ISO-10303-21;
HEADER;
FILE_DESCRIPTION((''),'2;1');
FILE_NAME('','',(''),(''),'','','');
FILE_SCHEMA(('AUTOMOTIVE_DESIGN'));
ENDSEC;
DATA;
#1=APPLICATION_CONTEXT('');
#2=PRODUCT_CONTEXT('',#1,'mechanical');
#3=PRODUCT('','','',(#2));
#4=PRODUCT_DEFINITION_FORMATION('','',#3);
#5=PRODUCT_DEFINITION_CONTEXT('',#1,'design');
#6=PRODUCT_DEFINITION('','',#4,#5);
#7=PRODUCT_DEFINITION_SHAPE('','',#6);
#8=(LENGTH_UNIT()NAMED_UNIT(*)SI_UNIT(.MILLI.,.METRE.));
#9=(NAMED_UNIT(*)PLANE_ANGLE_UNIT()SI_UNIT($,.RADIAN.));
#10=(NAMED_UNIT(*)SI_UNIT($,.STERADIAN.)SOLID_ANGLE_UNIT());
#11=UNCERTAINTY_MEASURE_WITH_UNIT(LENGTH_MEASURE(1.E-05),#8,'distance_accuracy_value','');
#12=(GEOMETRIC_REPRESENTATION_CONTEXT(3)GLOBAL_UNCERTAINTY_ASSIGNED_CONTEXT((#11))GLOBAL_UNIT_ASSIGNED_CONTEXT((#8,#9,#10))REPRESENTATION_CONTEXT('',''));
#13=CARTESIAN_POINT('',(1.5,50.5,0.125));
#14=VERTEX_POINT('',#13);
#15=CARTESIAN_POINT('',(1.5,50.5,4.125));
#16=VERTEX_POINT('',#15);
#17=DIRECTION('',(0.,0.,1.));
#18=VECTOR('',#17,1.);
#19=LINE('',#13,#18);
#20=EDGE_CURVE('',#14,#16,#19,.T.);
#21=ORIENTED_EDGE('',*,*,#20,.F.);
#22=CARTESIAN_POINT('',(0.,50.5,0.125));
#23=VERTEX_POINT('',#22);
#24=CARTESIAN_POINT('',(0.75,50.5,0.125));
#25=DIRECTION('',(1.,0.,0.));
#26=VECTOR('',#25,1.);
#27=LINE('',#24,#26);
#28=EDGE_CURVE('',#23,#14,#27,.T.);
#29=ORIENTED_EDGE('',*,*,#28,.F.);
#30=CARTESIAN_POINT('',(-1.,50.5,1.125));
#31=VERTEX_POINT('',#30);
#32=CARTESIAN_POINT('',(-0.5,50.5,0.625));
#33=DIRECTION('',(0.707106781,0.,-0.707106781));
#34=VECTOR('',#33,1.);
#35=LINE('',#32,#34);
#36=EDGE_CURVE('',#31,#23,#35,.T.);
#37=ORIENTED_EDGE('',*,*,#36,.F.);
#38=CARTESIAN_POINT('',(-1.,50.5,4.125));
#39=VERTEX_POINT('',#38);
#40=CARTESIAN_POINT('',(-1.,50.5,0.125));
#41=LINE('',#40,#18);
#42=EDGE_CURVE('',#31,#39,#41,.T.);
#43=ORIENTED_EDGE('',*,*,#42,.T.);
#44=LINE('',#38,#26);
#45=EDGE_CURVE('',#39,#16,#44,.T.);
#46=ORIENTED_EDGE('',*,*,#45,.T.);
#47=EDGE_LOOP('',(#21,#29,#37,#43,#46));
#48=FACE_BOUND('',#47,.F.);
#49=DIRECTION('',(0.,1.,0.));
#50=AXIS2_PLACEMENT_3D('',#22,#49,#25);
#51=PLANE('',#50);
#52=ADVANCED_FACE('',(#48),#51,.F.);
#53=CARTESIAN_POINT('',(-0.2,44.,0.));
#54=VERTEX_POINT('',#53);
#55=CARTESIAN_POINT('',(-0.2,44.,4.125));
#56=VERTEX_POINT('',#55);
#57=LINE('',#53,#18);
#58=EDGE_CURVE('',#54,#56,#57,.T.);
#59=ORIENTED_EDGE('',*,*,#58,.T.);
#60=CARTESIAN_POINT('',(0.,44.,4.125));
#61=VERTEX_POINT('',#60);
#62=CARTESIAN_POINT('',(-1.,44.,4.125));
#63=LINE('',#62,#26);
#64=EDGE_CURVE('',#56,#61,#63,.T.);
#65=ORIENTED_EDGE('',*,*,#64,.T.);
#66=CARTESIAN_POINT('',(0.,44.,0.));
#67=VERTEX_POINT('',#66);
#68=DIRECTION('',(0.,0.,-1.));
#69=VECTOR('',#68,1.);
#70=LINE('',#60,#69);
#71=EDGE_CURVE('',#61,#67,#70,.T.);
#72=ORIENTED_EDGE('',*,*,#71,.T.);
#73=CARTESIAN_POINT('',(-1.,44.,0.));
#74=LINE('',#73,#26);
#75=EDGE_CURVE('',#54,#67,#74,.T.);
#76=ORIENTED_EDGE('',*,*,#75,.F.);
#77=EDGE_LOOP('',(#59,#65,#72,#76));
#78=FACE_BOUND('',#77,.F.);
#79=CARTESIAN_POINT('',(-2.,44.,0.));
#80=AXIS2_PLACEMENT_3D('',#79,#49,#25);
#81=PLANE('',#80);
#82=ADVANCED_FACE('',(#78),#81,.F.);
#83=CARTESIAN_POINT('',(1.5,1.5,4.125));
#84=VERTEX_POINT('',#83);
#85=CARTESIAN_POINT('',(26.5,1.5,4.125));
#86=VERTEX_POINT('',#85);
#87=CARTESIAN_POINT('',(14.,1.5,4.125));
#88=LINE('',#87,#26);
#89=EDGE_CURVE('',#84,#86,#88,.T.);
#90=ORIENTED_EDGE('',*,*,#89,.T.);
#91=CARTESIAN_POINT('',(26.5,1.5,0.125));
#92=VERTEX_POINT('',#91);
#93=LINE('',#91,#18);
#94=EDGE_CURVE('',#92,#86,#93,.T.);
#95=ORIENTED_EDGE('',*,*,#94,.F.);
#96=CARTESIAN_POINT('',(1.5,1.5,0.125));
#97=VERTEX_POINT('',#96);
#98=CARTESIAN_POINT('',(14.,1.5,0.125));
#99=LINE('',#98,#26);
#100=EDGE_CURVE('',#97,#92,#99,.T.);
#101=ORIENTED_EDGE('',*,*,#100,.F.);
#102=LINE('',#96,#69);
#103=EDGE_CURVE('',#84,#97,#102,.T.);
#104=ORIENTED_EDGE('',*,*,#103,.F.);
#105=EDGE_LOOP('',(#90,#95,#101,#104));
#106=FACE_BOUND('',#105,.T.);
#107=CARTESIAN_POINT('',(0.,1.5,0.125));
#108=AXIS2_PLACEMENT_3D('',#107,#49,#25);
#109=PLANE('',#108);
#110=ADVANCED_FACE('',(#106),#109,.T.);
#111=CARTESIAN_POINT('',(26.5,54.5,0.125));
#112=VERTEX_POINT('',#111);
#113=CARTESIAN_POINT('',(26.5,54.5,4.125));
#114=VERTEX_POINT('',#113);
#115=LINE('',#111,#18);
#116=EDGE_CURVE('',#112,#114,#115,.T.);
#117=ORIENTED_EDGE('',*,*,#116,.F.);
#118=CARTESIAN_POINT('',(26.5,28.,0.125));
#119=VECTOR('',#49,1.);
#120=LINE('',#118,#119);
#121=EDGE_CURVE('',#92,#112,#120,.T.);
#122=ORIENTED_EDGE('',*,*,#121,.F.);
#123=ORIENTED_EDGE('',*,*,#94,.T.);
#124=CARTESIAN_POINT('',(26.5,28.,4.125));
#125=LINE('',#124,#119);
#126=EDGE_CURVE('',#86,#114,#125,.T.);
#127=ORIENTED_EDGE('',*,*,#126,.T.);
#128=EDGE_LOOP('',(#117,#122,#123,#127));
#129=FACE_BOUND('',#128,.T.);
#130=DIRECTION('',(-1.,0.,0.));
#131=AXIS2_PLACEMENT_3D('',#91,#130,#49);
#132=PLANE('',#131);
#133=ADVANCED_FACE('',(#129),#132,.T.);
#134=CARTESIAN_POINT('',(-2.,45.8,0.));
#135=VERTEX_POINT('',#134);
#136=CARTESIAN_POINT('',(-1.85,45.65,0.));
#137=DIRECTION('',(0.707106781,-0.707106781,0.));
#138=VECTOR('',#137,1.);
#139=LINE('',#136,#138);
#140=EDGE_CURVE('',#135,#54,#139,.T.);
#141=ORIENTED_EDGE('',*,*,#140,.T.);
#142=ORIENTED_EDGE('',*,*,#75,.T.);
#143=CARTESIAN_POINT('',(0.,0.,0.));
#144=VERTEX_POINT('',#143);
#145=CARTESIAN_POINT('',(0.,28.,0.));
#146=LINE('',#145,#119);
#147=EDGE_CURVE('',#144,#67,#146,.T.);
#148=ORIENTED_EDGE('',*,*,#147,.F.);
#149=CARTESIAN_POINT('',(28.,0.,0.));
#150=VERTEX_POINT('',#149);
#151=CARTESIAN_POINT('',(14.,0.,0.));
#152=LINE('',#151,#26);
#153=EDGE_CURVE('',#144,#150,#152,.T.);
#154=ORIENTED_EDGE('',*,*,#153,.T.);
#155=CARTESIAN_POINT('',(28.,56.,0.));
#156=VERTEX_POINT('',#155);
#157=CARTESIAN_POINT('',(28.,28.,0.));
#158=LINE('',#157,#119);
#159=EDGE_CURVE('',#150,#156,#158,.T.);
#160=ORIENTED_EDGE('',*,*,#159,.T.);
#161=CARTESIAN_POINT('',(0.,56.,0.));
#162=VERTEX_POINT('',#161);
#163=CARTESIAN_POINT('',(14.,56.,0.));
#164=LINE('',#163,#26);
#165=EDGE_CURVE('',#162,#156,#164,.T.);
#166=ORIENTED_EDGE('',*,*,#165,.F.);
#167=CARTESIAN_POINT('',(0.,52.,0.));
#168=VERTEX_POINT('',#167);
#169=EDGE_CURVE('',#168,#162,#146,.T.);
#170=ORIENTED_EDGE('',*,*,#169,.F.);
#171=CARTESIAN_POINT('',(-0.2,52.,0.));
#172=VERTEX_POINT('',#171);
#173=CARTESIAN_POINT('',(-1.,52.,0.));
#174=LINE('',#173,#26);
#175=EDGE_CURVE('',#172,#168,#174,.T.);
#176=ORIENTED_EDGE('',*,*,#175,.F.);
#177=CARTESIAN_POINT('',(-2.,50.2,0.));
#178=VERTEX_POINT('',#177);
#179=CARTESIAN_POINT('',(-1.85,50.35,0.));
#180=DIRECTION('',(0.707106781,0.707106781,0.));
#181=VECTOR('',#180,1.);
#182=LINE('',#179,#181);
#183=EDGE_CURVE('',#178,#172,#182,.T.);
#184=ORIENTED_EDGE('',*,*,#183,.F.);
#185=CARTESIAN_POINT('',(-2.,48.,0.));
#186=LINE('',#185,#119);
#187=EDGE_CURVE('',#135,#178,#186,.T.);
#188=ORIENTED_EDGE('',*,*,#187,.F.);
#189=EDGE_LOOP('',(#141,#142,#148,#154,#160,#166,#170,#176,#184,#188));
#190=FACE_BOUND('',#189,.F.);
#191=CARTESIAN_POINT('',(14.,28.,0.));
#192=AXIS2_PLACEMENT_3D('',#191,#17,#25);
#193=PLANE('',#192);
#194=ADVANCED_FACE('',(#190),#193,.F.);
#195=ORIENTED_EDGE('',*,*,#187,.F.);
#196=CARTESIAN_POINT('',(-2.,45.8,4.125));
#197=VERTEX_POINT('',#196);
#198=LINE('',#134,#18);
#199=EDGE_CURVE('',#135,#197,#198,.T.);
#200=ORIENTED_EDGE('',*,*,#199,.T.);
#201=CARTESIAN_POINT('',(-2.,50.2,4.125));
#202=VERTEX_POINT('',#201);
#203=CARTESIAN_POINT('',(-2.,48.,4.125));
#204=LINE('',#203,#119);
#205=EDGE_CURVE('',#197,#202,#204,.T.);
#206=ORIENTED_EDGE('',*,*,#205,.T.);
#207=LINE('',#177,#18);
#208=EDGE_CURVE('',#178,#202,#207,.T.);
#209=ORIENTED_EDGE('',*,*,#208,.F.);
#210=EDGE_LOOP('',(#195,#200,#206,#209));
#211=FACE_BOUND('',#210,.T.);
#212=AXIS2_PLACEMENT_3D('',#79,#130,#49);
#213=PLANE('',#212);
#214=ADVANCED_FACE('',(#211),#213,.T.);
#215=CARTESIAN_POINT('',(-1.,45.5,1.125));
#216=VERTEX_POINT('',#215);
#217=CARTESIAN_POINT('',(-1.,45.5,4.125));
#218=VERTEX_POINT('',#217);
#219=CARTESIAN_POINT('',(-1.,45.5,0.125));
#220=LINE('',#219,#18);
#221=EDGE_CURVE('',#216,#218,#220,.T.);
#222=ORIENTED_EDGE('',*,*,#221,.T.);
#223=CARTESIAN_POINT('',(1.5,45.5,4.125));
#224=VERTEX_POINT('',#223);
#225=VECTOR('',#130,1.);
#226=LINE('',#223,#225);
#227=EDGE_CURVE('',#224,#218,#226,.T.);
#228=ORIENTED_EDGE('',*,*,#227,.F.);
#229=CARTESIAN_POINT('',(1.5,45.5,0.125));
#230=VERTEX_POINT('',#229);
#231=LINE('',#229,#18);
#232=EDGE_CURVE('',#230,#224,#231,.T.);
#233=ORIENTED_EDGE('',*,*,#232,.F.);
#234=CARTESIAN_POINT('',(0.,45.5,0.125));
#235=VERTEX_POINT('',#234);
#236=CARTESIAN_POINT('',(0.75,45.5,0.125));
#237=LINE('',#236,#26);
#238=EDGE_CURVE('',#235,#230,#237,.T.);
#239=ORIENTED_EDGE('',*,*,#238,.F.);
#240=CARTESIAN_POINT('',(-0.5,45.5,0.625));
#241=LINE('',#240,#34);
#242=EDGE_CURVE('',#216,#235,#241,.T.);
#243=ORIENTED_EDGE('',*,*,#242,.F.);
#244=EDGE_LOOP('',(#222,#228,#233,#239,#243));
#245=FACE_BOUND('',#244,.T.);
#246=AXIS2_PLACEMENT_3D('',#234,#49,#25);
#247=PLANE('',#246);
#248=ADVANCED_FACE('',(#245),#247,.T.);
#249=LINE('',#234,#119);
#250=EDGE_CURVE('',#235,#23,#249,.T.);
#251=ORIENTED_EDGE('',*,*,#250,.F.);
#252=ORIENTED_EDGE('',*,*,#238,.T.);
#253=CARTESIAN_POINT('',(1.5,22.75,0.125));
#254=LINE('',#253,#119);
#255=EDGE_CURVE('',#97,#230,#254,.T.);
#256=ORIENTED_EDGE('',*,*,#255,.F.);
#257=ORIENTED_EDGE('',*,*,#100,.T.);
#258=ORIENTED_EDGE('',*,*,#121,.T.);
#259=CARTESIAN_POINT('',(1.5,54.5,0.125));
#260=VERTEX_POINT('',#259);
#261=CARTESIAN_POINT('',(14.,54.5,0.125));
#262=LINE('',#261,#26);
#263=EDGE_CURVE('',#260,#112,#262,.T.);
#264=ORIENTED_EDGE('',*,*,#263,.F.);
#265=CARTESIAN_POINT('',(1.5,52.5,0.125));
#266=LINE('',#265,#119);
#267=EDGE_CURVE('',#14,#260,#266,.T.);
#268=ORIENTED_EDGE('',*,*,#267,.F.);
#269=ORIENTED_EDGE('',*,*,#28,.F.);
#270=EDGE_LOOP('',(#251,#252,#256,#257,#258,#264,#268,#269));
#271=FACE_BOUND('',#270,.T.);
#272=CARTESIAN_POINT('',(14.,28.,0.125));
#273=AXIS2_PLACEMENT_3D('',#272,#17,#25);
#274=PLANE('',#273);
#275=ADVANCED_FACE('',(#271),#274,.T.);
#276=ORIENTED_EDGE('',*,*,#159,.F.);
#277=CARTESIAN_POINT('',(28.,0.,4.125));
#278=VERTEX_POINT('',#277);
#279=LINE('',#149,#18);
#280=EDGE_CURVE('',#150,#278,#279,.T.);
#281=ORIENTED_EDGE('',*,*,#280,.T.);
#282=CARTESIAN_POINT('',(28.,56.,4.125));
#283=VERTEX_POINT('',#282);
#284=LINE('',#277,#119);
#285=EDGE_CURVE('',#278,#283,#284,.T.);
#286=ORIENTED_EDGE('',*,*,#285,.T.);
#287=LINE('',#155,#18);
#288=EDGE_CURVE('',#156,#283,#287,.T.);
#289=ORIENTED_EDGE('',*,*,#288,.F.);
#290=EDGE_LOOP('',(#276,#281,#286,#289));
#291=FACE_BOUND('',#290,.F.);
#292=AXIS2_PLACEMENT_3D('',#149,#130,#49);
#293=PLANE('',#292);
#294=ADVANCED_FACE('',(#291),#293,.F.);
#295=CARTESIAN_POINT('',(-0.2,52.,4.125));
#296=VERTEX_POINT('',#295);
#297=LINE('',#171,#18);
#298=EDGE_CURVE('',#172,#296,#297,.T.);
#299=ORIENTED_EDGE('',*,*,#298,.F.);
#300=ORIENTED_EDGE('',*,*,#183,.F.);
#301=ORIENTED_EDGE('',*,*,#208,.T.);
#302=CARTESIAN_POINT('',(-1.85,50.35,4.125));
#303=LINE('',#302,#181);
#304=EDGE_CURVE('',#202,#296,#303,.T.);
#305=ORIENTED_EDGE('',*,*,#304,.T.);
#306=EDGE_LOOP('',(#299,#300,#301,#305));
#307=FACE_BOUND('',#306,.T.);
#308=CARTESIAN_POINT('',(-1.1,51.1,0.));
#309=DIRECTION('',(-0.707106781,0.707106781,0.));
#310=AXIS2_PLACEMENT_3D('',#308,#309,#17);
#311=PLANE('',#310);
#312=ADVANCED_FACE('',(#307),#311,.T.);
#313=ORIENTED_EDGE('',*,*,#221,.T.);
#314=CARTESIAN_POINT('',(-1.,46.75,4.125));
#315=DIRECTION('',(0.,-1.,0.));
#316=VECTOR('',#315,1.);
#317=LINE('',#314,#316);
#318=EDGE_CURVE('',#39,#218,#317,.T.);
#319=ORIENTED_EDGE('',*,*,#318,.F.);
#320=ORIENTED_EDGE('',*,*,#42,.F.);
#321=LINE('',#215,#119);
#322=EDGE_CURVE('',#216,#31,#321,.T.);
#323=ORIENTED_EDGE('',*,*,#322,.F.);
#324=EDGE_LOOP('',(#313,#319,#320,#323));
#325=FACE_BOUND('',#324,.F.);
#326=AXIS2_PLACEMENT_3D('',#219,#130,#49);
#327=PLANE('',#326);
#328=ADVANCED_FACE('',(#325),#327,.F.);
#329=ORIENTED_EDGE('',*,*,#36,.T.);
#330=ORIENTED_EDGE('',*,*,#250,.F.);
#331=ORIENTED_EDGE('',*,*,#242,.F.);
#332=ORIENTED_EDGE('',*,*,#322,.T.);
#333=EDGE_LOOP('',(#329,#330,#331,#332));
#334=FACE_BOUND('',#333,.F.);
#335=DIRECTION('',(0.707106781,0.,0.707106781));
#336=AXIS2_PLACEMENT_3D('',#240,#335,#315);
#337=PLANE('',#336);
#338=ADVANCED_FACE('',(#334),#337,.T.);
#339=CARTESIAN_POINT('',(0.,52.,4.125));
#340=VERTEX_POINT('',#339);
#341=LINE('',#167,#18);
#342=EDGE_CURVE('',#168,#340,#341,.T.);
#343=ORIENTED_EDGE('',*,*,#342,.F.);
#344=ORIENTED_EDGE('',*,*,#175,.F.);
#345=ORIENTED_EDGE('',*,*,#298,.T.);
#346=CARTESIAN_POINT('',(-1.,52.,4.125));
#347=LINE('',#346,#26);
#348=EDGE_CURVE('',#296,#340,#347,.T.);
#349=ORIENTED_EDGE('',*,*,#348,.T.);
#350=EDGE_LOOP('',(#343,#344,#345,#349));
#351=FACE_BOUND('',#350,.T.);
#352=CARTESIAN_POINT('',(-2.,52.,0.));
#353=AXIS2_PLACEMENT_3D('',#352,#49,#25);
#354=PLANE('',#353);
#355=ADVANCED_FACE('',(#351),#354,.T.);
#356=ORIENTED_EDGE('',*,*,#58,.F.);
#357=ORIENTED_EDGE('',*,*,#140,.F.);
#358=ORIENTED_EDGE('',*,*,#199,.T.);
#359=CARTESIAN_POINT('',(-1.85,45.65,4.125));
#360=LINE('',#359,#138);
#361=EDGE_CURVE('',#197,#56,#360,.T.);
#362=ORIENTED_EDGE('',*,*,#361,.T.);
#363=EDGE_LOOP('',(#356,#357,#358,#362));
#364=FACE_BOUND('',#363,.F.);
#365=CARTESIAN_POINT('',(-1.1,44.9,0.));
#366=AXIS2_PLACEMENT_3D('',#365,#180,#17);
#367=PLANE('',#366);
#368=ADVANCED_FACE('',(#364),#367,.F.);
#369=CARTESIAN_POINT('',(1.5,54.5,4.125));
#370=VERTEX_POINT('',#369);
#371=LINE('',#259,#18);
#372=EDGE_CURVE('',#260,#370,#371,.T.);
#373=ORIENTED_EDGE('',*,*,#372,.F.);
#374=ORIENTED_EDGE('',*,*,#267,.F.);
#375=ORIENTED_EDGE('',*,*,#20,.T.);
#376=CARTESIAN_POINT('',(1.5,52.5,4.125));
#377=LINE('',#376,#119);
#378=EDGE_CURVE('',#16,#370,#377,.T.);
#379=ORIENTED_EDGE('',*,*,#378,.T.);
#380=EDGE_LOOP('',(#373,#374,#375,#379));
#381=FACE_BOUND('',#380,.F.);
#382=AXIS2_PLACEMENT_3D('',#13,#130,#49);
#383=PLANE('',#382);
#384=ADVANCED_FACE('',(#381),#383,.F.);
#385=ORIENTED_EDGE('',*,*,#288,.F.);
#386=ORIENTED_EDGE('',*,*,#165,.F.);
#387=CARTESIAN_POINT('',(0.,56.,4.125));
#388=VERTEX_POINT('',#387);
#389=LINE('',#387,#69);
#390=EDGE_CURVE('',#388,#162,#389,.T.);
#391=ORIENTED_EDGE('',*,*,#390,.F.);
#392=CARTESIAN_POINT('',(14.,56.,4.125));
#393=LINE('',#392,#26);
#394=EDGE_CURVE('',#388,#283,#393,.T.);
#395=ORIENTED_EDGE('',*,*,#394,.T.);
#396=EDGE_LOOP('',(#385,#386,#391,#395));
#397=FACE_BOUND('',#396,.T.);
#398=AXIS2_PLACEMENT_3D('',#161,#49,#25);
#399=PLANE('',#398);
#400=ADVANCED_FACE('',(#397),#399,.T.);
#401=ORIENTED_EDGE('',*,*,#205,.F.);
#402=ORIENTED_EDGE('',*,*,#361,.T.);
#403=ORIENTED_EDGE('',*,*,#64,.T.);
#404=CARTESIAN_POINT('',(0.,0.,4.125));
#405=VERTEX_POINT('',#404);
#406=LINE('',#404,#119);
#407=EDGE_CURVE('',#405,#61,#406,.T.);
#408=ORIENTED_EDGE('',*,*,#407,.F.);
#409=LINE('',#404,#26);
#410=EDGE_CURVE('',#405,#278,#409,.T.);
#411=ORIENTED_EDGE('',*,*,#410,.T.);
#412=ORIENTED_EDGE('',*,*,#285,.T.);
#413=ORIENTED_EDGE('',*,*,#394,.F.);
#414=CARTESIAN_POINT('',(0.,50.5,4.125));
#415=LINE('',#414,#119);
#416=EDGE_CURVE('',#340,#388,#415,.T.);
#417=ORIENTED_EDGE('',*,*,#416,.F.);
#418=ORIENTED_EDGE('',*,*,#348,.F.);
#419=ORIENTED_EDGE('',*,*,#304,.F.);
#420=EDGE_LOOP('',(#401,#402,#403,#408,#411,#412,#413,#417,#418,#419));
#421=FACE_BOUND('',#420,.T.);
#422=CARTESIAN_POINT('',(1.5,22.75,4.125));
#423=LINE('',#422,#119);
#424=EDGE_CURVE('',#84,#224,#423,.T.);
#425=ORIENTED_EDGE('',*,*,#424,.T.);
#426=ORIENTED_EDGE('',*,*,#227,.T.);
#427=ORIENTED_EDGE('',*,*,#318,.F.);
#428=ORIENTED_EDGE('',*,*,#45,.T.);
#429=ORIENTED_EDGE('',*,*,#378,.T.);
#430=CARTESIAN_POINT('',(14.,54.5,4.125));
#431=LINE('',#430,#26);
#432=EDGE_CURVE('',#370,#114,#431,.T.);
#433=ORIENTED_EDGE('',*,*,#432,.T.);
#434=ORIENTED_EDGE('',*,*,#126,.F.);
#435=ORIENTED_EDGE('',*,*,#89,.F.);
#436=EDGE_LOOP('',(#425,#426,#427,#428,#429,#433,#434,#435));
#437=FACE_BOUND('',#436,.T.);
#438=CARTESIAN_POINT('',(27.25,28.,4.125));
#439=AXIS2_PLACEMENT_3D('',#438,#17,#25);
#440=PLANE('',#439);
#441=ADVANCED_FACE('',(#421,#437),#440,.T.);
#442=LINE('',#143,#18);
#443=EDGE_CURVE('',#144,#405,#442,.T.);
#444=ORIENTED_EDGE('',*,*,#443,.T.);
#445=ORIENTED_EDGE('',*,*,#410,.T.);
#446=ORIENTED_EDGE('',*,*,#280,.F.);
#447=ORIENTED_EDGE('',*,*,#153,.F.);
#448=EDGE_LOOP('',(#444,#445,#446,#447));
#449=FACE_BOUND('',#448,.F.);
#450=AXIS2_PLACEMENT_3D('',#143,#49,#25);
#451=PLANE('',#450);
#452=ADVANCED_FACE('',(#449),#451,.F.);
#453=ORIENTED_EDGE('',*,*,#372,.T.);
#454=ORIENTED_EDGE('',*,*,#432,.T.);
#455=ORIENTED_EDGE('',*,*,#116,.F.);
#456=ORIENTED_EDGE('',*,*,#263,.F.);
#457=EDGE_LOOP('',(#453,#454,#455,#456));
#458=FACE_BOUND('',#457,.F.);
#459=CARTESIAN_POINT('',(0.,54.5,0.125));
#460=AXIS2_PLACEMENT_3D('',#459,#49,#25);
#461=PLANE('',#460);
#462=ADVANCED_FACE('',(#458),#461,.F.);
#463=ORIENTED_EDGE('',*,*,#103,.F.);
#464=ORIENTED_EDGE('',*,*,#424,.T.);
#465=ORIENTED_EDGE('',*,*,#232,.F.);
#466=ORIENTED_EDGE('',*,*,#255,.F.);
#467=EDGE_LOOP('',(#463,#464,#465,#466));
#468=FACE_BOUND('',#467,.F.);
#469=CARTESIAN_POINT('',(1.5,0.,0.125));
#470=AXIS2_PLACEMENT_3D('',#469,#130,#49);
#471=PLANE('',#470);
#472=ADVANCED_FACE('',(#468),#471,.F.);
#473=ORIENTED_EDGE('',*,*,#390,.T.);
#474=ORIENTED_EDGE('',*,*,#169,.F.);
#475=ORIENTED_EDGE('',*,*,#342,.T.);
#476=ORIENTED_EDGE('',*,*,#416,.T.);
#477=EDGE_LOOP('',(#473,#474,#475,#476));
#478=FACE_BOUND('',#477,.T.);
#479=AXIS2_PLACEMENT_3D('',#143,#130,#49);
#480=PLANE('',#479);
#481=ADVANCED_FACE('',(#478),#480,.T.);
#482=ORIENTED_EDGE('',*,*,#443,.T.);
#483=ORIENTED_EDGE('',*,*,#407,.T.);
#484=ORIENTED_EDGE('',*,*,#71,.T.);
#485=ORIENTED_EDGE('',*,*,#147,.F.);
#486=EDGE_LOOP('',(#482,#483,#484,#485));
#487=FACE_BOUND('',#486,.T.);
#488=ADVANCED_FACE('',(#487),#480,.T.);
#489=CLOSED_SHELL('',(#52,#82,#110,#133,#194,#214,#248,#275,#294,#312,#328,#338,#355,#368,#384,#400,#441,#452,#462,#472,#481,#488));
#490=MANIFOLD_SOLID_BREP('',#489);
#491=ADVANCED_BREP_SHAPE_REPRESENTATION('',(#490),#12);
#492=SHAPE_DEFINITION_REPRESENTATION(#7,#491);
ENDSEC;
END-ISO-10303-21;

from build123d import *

# Parameters (mm, degrees)
BOX_W           = 28
BOX_H           = 56
BOX_DEPTH       = 0.125
SKETCH004_W     = 1.5
SKETCH004_H     = 45.5
SKETCH004_H_2   = 4
PAD004_DEPTH    = 4
SKETCH005_W     = 28
SKETCH005_H     = 1.5
PAD005_DEPTH    = 4
SKETCH006_W     = 1.5
SKETCH006_H     = 53
PAD006_DEPTH    = 4
SKETCH003_W     = 28
SKETCH003_H     = 1.5
PAD003_DEPTH    = 4
BOX004_W        = 5
BOX004_H        = 5
BOX004_DEPTH    = 5
CHAMFER_SIZE    = 1
BOX002_W        = 2
BOX002_H        = 8
BOX002_DEPTH    = 4.125
CHAMFER001_SIZE = 1.8


with BuildPart() as base:
    # Box → Box (new body)
    with BuildSketch(Plane.XY):
        with Locations((14, 28)):
            Rectangle(BOX_W, BOX_H)
    extrude(amount=BOX_DEPTH)


with BuildPart() as pad004:
    # Sketch004 → Pad004 (new body)
    with BuildSketch(Plane.XY.offset(0.125)):
        with Locations((0.75, 22.75)):
            Rectangle(SKETCH004_W, SKETCH004_H)
        with Locations((0.75, 52.5)):
            Rectangle(SKETCH004_W, SKETCH004_H_2)
    extrude(amount=PAD004_DEPTH)


with BuildPart() as pad005:
    # Sketch005 → Pad005 (new body)
    with BuildSketch(Plane.XY.offset(0.125)):
        with Locations((14, 0.75)):
            Rectangle(SKETCH005_W, SKETCH005_H)
    extrude(amount=PAD005_DEPTH)


with BuildPart() as pad006:
    # Sketch006 → Pad006 (new body)
    with BuildSketch(Plane.XY.offset(0.125)):
        with Locations((27.25, 28)):
            Rectangle(SKETCH006_W, SKETCH006_H)
    extrude(amount=PAD006_DEPTH)


with BuildPart() as walls:
    # Sketch003 → Pad003 (new body)
    with BuildSketch(Plane.XY.offset(0.125)):
        with Locations((14, 55.25)):
            Rectangle(SKETCH003_W, SKETCH003_H)
    extrude(amount=PAD003_DEPTH)

    # Fusion001: union Pad004, Pad005, Pad006
    add(pad004.part)
    add(pad005.part)
    add(pad006.part)


with BuildPart() as chamfer_body:
    # Box004 → Box004 (new body)
    with BuildSketch(Plane(origin=(-1, 45.5, 0.125), x_dir=(1, 0, 0), z_dir=(0, 0, 1))):
        with Locations((2.5, 2.5)):
            Rectangle(BOX004_W, BOX004_H)
    extrude(amount=BOX004_DEPTH)

    # Chamfer
    chamfer_edges = [chamfer_body.edges().sort_by_distance(p)[0] for p in [
        (-1, 48, 0.125),
    ]]
    chamfer(chamfer_edges, length=CHAMFER_SIZE)


with BuildPart() as base_and_walls_do_not_edit:
    # Box002 → Box002 (new body)
    with BuildSketch(Plane(origin=(-2, 44, 0), x_dir=(1, 0, 0), z_dir=(0, 0, 1))):
        with Locations((1, 4)):
            Rectangle(BOX002_W, BOX002_H)
    extrude(amount=BOX002_DEPTH)

    # Chamfer001
    chamfer001_edges = [base_and_walls_do_not_edit.edges().sort_by_distance(p)[0] for p in [
        (-2, 44, 2.0625),
        (-2, 52, 2.0625),
    ]]
    chamfer(chamfer001_edges, length=CHAMFER001_SIZE)

    # Cut: cut Chamfer body
    add(chamfer_body.part, mode=Mode.SUBTRACT)

    # Fusion: union Walls
    add(walls.part)

    # Fusion002: union Base
    add(base.part)


solid = base_and_walls_do_not_edit.part
